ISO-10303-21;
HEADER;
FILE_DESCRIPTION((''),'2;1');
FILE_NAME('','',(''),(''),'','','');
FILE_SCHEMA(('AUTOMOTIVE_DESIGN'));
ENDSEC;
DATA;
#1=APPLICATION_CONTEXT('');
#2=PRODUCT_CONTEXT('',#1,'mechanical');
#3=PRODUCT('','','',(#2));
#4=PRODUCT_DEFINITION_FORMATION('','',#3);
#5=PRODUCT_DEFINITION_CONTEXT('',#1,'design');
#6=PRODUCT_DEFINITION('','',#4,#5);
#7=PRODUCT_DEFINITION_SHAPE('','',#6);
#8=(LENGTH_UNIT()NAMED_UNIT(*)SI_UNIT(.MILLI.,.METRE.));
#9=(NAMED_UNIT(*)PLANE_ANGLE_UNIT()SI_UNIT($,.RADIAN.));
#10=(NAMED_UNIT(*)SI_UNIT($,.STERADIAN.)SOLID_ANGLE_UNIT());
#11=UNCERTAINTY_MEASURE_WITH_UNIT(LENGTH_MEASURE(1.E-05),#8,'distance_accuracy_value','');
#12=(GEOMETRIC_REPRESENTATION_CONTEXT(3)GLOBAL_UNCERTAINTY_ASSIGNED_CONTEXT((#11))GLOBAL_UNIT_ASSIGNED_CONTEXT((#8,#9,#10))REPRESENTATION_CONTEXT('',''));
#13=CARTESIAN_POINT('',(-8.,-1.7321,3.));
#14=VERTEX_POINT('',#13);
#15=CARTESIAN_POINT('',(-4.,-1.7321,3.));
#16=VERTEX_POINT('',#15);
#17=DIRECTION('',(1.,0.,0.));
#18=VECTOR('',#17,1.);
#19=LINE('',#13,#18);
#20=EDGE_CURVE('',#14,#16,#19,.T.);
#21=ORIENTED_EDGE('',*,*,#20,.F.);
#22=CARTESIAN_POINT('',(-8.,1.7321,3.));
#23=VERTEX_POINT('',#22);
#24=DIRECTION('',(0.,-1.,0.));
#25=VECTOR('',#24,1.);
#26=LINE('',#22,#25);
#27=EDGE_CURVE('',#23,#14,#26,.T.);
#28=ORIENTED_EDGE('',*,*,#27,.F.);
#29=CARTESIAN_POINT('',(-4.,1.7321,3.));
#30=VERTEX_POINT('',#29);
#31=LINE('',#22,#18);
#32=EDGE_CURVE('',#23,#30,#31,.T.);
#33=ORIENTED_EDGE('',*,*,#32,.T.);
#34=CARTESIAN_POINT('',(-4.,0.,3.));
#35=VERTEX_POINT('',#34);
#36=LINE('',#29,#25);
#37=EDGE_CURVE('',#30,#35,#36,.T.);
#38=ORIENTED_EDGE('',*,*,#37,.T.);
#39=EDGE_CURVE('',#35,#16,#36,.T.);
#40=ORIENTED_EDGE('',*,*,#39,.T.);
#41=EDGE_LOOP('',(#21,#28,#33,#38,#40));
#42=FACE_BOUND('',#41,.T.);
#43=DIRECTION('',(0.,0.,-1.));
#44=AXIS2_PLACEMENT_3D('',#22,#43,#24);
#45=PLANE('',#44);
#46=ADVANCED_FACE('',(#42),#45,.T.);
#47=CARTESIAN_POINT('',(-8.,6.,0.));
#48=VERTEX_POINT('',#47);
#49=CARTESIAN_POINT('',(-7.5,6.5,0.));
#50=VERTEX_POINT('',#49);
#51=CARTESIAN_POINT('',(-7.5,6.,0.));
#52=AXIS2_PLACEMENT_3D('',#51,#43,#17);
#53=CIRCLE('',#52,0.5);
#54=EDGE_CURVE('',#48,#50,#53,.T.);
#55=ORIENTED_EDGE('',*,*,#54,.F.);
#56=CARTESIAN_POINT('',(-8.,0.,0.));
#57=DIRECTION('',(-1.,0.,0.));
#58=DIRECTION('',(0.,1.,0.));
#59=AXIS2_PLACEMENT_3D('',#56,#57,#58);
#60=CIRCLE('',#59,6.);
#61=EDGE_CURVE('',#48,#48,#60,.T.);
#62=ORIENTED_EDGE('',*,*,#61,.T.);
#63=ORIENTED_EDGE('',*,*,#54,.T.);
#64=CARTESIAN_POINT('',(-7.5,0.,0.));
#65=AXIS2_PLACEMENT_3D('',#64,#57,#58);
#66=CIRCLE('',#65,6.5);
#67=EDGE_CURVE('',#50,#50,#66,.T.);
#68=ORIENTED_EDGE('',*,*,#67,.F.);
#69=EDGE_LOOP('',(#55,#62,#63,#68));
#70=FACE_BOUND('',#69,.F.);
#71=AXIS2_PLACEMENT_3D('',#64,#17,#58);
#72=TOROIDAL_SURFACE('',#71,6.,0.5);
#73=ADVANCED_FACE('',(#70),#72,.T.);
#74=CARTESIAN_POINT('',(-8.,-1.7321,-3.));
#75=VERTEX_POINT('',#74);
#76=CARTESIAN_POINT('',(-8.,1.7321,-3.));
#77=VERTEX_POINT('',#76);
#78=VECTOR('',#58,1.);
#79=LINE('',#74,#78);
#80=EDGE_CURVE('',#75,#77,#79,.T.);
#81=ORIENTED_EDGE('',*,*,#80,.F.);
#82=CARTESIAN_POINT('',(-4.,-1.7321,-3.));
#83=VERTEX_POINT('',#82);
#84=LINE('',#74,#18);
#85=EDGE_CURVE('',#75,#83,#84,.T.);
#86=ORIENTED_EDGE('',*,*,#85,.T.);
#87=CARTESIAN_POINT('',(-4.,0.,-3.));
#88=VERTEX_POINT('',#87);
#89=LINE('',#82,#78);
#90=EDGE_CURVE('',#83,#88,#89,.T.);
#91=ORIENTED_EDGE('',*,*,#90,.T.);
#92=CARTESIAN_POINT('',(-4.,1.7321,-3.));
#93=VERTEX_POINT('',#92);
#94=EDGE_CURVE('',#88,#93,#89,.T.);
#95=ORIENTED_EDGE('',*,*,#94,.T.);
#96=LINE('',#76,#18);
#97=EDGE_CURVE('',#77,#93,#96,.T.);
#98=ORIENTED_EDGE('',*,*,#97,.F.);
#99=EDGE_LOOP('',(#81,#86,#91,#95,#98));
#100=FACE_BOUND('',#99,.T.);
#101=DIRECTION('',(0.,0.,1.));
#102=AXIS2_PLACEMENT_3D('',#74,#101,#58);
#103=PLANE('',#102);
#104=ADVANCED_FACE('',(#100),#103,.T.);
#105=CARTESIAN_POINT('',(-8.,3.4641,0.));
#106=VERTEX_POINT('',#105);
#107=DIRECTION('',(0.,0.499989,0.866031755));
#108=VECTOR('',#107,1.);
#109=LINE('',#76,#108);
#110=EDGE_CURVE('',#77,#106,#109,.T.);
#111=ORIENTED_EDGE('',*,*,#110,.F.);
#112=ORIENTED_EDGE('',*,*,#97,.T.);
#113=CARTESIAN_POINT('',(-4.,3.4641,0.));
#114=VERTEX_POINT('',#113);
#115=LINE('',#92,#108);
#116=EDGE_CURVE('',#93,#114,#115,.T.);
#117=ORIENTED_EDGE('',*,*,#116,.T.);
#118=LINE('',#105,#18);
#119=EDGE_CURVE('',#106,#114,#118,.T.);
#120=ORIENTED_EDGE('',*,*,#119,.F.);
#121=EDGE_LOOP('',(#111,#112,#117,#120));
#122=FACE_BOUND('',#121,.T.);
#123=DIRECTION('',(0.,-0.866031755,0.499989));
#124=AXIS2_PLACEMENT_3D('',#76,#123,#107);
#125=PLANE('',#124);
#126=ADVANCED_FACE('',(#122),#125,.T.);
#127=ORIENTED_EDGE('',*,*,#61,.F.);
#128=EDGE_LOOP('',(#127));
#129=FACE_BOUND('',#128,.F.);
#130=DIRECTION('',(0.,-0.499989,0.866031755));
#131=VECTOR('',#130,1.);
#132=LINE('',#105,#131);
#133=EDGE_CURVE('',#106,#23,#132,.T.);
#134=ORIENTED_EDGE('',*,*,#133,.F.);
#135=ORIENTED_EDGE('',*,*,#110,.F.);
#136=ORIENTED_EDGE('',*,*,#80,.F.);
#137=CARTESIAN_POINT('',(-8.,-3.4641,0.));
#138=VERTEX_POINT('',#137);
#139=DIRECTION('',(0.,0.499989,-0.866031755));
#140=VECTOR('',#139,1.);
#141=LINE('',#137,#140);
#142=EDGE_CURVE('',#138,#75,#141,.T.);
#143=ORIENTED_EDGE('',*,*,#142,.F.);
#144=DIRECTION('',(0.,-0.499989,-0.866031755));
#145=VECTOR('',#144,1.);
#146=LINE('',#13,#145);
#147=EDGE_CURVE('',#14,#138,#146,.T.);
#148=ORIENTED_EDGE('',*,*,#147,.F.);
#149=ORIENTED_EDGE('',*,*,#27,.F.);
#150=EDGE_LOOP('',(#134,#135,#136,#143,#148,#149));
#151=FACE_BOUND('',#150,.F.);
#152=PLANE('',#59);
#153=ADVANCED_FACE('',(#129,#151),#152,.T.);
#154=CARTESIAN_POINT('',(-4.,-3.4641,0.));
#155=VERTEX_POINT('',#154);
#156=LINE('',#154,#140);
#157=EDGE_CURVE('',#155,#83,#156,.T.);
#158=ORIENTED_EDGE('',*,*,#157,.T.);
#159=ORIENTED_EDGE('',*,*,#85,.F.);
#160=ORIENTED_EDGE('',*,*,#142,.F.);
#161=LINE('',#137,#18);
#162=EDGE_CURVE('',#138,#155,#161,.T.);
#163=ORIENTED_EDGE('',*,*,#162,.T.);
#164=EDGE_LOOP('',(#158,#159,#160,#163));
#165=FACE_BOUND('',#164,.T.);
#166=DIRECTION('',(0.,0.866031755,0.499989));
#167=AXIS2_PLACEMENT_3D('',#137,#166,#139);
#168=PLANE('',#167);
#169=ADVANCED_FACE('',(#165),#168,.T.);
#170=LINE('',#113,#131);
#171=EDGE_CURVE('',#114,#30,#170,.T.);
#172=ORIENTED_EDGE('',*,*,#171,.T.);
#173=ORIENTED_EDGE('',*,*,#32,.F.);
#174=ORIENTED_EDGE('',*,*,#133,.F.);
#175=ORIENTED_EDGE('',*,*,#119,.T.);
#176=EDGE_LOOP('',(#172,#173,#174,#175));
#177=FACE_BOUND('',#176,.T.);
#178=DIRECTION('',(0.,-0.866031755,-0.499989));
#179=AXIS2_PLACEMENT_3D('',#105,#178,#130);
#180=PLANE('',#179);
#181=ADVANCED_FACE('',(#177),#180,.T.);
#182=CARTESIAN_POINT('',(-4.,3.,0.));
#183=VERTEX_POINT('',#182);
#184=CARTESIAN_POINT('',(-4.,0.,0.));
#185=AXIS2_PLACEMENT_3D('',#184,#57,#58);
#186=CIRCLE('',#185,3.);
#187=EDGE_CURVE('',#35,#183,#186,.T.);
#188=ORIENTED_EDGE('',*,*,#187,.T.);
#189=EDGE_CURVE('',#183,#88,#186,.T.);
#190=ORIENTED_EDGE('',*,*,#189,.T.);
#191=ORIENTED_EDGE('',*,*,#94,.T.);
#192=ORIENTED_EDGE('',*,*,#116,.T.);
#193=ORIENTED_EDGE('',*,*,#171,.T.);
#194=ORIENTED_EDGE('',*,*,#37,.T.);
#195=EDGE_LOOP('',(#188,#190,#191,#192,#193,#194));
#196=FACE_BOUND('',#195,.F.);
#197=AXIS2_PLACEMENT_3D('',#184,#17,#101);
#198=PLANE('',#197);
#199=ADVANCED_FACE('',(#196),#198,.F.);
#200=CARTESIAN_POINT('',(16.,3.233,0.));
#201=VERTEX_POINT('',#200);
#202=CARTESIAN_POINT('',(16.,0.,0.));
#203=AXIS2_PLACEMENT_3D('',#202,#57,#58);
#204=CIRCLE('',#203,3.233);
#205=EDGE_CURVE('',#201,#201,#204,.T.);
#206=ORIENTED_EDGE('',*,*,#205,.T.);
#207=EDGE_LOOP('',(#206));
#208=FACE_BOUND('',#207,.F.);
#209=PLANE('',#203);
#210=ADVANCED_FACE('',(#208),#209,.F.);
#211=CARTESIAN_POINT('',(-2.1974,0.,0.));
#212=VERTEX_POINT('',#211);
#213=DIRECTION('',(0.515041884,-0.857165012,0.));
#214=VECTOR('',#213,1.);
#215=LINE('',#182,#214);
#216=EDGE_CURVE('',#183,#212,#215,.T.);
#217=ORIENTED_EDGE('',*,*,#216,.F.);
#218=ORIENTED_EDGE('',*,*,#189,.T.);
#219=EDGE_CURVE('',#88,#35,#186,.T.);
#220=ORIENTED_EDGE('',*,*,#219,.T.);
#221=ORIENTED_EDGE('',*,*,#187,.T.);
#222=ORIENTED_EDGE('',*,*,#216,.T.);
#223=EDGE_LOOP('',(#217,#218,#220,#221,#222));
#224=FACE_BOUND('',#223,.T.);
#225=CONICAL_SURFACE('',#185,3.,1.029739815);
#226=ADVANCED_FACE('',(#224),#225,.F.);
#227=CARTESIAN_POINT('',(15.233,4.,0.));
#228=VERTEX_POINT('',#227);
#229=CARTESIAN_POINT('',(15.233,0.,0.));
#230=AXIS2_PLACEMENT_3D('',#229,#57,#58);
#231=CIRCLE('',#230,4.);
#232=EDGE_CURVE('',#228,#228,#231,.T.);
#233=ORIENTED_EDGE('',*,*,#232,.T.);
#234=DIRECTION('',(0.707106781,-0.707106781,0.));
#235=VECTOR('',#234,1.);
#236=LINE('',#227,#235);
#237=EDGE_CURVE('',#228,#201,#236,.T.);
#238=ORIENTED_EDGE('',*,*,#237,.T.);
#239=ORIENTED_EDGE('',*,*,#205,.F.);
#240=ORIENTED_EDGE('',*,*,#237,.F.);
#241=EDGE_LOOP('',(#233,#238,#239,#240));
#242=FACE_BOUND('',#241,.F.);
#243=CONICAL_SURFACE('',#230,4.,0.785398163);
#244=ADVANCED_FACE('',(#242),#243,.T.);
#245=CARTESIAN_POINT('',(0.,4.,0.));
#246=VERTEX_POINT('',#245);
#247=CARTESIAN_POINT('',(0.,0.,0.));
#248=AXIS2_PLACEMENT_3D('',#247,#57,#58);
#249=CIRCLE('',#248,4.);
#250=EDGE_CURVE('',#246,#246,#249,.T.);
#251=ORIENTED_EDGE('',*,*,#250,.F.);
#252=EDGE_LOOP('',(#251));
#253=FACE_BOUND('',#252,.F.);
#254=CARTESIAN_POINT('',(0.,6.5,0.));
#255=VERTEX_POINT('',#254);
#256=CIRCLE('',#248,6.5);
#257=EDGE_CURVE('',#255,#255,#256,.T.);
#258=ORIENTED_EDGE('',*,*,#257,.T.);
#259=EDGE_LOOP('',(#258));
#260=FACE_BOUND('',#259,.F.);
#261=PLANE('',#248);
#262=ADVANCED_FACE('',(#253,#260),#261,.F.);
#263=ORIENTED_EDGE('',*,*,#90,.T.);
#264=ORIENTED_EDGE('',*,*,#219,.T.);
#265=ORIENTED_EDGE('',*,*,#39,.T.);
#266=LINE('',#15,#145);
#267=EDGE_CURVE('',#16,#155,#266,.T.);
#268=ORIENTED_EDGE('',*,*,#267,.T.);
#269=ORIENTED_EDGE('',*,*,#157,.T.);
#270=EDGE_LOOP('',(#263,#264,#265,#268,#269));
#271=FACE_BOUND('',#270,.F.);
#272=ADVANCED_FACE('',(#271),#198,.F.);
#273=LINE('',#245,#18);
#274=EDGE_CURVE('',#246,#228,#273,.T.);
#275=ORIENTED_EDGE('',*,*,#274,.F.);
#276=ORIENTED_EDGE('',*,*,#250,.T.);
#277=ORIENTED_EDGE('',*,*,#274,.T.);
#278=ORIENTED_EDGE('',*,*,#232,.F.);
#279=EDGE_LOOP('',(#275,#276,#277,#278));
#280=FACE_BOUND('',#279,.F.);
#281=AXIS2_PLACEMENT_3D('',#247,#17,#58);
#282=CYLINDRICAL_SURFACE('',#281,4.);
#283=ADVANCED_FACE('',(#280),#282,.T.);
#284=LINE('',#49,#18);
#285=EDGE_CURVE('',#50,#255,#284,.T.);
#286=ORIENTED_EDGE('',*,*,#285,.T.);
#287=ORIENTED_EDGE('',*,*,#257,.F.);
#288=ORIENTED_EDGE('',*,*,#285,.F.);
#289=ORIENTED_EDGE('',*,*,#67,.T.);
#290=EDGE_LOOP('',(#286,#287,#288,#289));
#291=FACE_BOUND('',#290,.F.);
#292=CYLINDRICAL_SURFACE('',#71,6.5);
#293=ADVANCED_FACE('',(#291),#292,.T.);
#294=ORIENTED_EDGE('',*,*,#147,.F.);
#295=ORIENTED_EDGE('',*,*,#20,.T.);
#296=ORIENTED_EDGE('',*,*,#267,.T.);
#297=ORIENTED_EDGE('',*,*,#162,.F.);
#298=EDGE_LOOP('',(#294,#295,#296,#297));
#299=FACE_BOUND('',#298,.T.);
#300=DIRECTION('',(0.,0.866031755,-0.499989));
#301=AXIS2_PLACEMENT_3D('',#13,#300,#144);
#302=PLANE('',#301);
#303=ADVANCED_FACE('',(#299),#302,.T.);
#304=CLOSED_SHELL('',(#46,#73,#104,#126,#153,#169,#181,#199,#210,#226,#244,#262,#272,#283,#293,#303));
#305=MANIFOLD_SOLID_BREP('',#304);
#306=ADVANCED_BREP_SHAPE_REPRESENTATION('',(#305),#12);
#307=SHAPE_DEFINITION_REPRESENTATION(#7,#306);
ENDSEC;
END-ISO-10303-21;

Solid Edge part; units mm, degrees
sketch "Sketch1" plane through (0, 0, 0) normal (0, 0, 1) x (1, 0, 0)
  line L0 (-8, 0) -> (-8, 6)
  arc A0 (-8, 6) -> (-7.5, 6.5) centre (-7.5, 6) cw
  line L1 (-7.5, 6.5) -> (0, 6.5)
  line L2 (0, 6.5) -> (0, 4)
  line L3 (0, 4) -> (15.233, 4)
  line L4 (15.233, 4) -> (16, 3.233)
  line L5 (16, 3.233) -> (16, 0)
  line L6 (16, 0) -> (-8, 0)
revolve "RevolvedProtrusion1" add sketch "Sketch1" angle 360 about axis through (16, 0, 0) along (-1, 0, 0)
sketch "Sketch2" plane through (-8, 0, 0) normal (1, 0, 0) x (0, 1, 0)
  line L0 (-1.7321, 3) -> (-3.4641, 0)
  line L1 (-3.4641, 0) -> (-1.7321, -3)
  line L2 (-1.7321, -3) -> (1.7321, -3)
  line L3 (1.7321, -3) -> (3.4641, 0)
  line L4 (3.4641, 0) -> (1.7321, 3)
  line L5 (1.7321, 3) -> (-1.7321, 3)
extrude "ExtrudedCutout_1" cut sketch "Sketch2" along normal blind 4
sketch "Sketch3" plane through (0, 0, 0) normal (0, 0, 1) x (1, 0, 0)
  line L0 (-4, 0) -> (-4, 3)
  line L1 (-4, 3) -> (-2.1974, 0)
  line L2 (-2.1974, 0) -> (-4, 0)
revolve "RevolvedCutout1" cut sketch "Sketch3" angle 360 about axis through (-2.1974, 0, 0) along (-1, 0, 0)
cosmetic_thread "Rosca_3" size "M8" thread depth 14
properties part number "07160-08X16"
